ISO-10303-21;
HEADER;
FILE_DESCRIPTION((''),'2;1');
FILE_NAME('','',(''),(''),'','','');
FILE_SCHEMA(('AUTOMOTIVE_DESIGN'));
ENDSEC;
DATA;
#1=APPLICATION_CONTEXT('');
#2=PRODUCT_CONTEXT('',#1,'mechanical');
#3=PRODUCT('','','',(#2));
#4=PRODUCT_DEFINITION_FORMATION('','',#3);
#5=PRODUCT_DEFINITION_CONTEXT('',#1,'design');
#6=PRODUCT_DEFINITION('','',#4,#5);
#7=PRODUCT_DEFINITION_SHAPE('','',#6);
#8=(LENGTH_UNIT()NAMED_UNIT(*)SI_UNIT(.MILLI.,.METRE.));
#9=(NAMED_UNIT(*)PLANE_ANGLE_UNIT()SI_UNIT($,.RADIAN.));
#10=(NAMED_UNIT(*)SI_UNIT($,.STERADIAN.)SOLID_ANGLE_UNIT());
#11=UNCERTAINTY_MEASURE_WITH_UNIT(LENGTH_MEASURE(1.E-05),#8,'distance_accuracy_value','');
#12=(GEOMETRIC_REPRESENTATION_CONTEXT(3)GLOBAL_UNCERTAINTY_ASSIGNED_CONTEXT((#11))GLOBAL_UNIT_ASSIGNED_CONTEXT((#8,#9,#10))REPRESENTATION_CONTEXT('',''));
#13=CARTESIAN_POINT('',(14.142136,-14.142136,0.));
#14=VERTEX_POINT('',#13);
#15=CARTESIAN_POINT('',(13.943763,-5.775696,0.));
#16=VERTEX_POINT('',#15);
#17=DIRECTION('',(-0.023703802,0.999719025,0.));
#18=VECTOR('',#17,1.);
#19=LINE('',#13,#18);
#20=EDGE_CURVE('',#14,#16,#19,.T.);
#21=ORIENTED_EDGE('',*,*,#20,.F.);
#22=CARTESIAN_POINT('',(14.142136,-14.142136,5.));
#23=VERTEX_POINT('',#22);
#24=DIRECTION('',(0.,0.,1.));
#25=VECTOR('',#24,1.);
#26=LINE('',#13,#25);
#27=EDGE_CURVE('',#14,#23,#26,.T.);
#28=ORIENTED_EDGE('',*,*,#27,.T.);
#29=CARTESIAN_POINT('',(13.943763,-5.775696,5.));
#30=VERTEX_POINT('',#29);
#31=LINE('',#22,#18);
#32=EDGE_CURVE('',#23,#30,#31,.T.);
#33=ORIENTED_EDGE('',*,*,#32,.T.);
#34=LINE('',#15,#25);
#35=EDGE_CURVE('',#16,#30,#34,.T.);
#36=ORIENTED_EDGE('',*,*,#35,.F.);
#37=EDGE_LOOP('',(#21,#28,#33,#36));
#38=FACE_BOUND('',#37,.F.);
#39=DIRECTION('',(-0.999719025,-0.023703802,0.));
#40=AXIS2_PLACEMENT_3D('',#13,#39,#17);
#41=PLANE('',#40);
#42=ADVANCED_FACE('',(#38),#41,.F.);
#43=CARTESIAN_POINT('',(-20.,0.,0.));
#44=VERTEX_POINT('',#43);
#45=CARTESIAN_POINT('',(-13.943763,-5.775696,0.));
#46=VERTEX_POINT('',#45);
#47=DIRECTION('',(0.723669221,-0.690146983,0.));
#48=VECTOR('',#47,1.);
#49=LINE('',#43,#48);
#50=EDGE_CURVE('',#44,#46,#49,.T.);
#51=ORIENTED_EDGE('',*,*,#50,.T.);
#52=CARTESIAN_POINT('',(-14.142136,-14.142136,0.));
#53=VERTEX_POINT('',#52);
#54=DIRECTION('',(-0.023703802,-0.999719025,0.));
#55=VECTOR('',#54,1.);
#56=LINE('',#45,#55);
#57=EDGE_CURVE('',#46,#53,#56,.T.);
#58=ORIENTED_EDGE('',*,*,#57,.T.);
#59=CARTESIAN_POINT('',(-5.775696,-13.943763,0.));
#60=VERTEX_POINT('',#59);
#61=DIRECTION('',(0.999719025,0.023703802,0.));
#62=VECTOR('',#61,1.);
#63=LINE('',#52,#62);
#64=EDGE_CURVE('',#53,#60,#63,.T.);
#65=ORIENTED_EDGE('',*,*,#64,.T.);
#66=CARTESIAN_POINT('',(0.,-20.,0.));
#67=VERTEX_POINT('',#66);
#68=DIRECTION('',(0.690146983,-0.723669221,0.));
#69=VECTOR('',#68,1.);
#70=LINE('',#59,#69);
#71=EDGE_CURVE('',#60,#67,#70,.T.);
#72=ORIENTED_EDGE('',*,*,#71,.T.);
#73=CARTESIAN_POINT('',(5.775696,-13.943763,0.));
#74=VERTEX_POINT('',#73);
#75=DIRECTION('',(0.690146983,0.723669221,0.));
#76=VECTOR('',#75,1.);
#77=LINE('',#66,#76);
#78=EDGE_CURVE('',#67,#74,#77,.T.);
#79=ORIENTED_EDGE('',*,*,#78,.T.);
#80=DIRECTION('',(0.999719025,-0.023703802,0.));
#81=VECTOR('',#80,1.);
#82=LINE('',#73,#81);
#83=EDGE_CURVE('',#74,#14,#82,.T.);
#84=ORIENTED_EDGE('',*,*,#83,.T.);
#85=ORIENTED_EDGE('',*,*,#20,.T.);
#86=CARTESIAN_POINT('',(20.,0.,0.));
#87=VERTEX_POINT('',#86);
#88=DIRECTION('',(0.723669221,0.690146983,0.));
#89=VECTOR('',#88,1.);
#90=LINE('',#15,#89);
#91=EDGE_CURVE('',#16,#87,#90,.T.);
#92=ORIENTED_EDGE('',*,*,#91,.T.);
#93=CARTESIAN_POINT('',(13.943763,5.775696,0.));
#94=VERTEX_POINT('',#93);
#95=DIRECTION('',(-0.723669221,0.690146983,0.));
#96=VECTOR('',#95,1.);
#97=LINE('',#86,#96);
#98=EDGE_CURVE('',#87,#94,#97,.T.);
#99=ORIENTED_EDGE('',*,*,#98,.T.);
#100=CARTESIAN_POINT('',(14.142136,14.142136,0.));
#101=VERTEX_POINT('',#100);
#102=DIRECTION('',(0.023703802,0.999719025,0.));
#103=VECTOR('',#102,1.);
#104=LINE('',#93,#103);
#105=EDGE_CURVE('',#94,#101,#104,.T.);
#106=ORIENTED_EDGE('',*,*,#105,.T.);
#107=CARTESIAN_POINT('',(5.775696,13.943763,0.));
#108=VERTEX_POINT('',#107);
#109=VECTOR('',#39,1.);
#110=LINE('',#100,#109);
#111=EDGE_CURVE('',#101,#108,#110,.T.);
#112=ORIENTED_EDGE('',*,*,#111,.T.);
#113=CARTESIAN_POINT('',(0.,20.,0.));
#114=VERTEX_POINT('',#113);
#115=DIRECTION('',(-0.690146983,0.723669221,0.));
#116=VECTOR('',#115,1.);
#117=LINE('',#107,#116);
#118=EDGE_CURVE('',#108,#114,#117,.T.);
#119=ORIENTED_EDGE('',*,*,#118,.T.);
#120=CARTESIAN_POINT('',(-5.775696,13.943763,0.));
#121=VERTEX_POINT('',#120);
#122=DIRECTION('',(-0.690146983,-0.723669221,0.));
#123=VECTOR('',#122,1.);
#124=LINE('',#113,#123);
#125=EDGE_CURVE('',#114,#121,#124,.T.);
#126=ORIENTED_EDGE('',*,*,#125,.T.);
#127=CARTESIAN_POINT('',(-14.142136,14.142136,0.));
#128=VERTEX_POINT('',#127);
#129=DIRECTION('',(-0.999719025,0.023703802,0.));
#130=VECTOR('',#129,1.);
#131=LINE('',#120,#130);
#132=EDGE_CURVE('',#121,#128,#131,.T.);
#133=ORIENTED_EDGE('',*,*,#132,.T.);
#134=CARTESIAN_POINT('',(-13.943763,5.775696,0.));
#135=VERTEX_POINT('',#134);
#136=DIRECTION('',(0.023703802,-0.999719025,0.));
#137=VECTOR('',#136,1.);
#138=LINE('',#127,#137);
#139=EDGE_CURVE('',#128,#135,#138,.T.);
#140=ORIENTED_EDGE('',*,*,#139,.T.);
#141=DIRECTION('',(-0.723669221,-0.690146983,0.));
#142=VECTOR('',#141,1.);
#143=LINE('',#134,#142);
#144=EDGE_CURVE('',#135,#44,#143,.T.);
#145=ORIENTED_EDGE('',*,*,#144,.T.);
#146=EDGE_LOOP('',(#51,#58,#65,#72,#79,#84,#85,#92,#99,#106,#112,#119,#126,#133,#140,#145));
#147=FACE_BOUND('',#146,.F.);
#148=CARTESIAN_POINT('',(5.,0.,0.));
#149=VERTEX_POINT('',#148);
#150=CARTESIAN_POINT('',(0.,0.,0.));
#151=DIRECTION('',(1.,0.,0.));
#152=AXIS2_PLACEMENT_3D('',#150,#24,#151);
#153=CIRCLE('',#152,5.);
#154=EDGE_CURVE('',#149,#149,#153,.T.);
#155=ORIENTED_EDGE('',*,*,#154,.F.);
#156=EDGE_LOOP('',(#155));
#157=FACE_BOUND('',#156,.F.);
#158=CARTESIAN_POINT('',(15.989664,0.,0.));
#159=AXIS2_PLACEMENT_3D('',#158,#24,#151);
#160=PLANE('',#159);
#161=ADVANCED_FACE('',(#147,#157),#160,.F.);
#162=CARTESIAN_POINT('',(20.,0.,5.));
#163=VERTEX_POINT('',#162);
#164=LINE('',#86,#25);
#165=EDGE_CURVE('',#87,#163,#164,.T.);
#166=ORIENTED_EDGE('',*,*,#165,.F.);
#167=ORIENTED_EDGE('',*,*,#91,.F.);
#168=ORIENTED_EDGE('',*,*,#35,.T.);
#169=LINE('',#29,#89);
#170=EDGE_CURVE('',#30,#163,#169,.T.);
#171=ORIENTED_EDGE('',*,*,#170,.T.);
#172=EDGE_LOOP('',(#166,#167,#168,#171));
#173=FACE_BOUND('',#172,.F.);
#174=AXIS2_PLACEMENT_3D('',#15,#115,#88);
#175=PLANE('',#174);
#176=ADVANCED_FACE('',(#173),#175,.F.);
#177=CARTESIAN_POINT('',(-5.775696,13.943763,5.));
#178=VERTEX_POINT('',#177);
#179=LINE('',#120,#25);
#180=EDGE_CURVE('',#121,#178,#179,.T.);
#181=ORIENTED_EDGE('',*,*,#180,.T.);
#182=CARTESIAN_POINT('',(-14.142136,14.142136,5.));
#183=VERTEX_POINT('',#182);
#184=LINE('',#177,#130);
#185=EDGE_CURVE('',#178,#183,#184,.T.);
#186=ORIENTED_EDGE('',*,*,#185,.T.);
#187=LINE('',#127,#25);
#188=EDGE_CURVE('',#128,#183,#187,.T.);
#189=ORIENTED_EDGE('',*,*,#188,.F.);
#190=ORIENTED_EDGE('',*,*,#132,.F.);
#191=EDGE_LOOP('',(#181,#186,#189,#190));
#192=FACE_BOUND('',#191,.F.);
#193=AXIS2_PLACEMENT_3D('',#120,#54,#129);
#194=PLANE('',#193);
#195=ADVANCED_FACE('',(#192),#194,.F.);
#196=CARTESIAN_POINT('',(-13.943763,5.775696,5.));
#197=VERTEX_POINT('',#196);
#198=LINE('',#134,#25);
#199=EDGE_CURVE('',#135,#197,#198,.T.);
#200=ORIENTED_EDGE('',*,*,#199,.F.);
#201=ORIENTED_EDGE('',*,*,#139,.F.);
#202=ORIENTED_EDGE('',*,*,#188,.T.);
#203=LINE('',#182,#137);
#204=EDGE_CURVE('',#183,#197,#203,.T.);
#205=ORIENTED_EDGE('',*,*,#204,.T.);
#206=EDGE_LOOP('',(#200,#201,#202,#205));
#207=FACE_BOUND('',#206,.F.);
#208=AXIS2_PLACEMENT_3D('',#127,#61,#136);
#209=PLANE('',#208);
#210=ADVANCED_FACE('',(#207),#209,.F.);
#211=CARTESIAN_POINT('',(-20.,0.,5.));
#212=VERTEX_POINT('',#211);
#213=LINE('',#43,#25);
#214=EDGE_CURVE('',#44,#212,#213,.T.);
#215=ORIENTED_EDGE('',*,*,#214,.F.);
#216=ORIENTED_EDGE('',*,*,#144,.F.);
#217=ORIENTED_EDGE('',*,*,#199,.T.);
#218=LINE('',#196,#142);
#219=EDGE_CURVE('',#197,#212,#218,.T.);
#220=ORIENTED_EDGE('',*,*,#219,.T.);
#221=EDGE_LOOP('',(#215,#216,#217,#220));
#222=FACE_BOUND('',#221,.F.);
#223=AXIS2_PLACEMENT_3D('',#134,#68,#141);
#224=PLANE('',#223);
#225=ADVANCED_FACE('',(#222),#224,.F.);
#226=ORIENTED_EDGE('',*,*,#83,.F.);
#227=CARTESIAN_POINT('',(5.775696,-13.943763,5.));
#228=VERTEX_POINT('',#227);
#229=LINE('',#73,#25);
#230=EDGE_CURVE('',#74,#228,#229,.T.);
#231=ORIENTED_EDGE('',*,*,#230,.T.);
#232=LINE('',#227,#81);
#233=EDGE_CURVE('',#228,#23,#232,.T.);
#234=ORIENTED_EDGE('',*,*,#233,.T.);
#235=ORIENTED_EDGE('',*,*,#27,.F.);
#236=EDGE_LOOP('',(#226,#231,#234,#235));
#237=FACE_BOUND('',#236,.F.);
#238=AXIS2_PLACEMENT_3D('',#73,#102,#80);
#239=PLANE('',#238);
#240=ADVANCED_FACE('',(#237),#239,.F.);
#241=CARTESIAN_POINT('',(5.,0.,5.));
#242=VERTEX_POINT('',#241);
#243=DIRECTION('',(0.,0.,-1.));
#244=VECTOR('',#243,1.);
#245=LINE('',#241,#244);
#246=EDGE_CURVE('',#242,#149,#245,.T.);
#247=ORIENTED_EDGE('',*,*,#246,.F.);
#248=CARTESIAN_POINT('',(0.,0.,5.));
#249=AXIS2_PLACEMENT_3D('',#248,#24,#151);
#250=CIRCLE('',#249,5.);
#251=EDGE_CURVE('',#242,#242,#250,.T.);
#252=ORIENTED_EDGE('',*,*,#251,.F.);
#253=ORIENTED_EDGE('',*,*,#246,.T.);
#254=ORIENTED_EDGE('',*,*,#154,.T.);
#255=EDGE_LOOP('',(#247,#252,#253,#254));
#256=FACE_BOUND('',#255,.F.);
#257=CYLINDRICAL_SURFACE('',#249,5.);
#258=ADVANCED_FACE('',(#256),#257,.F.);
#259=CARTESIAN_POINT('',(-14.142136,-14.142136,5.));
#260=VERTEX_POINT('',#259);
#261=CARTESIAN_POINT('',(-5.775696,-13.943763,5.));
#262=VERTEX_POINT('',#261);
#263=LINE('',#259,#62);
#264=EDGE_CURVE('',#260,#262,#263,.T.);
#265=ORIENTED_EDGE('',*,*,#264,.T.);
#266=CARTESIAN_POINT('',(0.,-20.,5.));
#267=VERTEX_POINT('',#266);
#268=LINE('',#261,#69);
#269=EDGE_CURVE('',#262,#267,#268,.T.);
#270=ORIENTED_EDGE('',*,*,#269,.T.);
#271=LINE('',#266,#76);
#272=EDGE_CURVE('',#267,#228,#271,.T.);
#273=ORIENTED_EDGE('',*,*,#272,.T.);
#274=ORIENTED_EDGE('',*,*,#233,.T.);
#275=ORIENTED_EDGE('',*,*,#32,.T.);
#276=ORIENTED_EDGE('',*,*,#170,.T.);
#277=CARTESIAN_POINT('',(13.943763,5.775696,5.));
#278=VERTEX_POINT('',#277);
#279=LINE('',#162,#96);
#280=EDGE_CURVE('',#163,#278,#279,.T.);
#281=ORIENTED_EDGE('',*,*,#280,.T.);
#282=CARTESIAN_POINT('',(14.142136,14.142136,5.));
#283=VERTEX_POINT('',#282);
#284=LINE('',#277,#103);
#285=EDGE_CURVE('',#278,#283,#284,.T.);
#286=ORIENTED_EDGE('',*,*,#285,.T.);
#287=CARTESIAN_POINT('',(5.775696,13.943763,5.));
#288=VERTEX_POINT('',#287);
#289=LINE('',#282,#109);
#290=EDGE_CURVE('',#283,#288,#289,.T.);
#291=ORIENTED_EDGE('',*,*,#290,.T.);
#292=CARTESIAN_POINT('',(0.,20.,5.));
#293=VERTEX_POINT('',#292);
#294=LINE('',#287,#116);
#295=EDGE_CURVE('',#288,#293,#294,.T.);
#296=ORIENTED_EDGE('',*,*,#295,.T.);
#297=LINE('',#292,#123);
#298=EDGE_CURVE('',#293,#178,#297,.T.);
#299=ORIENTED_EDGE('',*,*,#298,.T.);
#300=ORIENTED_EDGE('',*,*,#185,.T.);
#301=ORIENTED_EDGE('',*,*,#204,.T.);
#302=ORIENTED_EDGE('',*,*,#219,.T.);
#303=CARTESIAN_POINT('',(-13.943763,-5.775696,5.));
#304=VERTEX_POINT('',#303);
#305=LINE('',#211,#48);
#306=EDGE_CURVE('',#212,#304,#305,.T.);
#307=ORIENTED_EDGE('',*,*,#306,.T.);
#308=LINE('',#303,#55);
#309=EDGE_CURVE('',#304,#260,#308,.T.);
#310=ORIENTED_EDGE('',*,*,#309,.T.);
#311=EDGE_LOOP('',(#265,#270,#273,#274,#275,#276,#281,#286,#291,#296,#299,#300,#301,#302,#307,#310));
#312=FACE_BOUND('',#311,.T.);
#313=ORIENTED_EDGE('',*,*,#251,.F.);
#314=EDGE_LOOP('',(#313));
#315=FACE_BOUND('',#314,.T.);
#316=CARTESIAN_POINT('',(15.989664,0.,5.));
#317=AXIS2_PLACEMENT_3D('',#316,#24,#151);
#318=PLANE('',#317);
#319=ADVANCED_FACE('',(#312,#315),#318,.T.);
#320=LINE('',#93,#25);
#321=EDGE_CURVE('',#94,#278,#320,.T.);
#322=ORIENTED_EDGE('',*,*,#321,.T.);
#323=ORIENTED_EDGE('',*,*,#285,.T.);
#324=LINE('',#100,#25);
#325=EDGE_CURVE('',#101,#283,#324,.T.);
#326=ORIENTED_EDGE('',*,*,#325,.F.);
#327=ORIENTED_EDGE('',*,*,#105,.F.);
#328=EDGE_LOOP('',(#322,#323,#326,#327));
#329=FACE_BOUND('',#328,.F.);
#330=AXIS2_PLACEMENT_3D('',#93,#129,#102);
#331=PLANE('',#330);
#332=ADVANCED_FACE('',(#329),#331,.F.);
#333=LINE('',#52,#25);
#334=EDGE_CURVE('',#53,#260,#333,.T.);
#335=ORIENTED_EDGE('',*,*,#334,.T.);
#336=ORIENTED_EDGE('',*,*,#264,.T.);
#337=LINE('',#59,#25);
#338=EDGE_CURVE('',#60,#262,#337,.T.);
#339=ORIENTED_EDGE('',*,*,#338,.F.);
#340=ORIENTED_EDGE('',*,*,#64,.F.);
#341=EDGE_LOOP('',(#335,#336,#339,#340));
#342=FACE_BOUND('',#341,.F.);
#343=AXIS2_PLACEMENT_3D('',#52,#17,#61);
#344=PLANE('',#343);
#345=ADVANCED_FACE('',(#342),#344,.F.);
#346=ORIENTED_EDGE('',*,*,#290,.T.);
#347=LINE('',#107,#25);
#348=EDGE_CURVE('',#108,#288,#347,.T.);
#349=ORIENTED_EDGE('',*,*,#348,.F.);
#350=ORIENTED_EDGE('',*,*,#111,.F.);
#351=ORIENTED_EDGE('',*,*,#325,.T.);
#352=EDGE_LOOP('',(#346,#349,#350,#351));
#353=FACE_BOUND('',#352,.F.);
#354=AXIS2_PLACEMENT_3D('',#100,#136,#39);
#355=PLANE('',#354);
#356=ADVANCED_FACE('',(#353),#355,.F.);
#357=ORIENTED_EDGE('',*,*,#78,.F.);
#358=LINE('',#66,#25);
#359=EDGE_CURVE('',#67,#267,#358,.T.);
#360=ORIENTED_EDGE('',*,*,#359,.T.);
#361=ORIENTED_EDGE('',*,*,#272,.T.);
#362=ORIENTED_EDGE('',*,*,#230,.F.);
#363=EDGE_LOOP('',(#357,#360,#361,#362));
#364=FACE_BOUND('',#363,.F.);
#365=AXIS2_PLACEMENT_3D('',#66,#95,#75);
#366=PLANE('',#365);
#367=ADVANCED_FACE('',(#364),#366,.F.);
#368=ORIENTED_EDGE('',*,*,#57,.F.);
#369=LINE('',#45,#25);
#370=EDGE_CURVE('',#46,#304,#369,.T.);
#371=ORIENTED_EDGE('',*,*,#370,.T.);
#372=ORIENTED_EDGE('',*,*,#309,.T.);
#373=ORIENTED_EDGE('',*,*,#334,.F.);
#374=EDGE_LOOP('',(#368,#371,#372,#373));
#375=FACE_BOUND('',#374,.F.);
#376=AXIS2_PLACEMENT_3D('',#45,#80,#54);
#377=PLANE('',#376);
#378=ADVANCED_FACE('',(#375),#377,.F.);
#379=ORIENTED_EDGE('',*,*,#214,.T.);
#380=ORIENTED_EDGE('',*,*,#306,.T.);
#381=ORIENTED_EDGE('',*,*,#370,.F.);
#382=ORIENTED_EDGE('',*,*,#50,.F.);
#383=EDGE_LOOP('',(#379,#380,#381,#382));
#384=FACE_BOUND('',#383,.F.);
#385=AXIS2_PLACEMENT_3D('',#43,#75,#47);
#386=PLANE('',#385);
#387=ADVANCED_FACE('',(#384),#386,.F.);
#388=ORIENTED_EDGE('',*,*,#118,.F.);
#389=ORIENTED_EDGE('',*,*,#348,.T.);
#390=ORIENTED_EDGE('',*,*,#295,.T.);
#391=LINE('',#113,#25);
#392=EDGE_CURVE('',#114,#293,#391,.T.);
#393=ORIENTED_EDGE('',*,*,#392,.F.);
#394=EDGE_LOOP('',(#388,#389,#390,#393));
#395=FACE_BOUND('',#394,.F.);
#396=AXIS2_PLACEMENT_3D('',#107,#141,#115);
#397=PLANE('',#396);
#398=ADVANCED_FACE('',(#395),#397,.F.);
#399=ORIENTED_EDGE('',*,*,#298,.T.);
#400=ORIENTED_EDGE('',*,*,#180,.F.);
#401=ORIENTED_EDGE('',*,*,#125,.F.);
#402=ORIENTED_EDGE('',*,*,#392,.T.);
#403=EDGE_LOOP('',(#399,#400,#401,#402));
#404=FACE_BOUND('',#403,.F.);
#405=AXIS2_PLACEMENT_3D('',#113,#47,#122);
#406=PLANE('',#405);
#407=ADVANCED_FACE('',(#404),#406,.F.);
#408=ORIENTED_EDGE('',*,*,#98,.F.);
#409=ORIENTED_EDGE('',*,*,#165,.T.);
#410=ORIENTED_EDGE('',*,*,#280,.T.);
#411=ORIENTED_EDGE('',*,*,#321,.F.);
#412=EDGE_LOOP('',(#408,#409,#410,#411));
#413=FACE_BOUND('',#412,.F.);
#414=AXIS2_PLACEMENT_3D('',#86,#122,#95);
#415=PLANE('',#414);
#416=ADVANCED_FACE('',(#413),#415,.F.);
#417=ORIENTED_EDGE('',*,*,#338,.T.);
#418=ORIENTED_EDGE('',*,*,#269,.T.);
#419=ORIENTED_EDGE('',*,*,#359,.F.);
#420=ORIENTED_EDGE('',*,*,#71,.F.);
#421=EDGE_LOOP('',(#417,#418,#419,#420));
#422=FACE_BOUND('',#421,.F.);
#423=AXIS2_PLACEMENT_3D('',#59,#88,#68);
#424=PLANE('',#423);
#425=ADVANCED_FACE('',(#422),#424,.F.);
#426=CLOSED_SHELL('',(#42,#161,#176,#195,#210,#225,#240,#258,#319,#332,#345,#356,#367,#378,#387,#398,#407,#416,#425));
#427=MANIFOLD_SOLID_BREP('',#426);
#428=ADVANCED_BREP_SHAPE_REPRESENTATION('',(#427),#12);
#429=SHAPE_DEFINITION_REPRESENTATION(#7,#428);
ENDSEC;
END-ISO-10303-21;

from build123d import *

# Parameters (mm, degrees)
F1_DEPTH = 5
F2_R     = 5
F3_DEPTH = 25


with BuildPart() as f1:
    # F0 (on Top) → F1 (new body)
    with BuildSketch(Plane.XY):
        with BuildLine():
            ThreePointArc((13.93824703, 5.5430379513), (14.7321706726, 2.8219049018), (15, 0))
            ThreePointArc((15, 0), (14.7321706726, -2.8219049018), (13.93824703, -5.5430379513))
            Line((13.93824703, -5.5430379513), (13.9437634587, -5.7756959351))
            Line((13.9437634587, -5.7756959351), (20, 0))
            Line((20, 0), (13.9437634587, 5.7756959351))
            Line((13.9437634587, 5.7756959351), (13.93824703, 5.5430379513))
        make_face()
        with BuildLine():
            ThreePointArc((13.7753487165, 5.9363092691), (13.8581929877, 5.7402514855), (13.93824703, 5.5430379513))
            Line((13.93824703, 5.5430379513), (13.9437634587, 5.7756959351))
            Line((13.9437634587, 5.7756959351), (13.7753487165, 5.9363092691))
        make_face()
        with BuildLine():
            Line((13.9437634587, -5.7756959351), (13.93824703, -5.5430379513))
            ThreePointArc((13.93824703, -5.5430379513), (13.8581929877, -5.7402514855), (13.7753487165, -5.9363092691))
            Line((13.7753487165, -5.9363092691), (13.9437634587, -5.7756959351))
        make_face()
        with BuildLine():
            ThreePointArc((5.9363092691, 13.7753487165), (10.6066017178, 10.6066017178), (13.7753487165, 5.9363092691))
            Line((13.7753487165, 5.9363092691), (13.9437634587, 5.7756959351))
            Line((13.9437634587, 5.7756959351), (14.1421356237, 14.1421356237))
            Line((14.1421356237, 14.1421356237), (5.7756959351, 13.9437634587))
            Line((5.7756959351, 13.9437634587), (5.9363092691, 13.7753487165))
        make_face()
        with BuildLine():
            Line((13.9437634587, -5.7756959351), (13.7753487165, -5.9363092691))
            ThreePointArc((13.7753487165, -5.9363092691), (10.6066017178, -10.6066017178), (5.9363092691, -13.7753487165))
            Line((5.9363092691, -13.7753487165), (5.7756959351, -13.9437634587))
            Line((5.7756959351, -13.9437634587), (14.1421356237, -14.1421356237))
            Line((14.1421356237, -14.1421356237), (13.9437634587, -5.7756959351))
        make_face()
        with BuildLine():
            ThreePointArc((5.5430379513, 13.93824703), (5.7402514855, 13.8581929877), (5.9363092691, 13.7753487165))
            Line((5.9363092691, 13.7753487165), (5.7756959351, 13.9437634587))
            Line((5.7756959351, 13.9437634587), (5.5430379513, 13.93824703))
        make_face()
        with BuildLine():
            Line((5.7756959351, -13.9437634587), (5.9363092691, -13.7753487165))
            ThreePointArc((5.9363092691, -13.7753487165), (5.7402514855, -13.8581929877), (5.5430379513, -13.93824703))
            Line((5.5430379513, -13.93824703), (5.7756959351, -13.9437634587))
        make_face()
        with BuildLine():
            ThreePointArc((0, 15), (2.8219049018, 14.7321706726), (5.5430379513, 13.93824703))
            Line((5.5430379513, 13.93824703), (5.7756959351, 13.9437634587))
            Line((5.7756959351, 13.9437634587), (0, 20))
            Line((0, 20), (0, 15))
        make_face()
        with BuildLine():
            Line((5.7756959351, -13.9437634587), (5.5430379513, -13.93824703))
            ThreePointArc((5.5430379513, -13.93824703), (0, -15), (-5.5430379513, -13.93824703))
            Line((-5.5430379513, -13.93824703), (-5.7756959351, -13.9437634587))
            Line((-5.7756959351, -13.9437634587), (0, -20))
            Line((0, -20), (5.7756959351, -13.9437634587))
        make_face()
        with BuildLine():
            ThreePointArc((-5.5430379513, 13.93824703), (-2.8219049018, 14.7321706726), (0, 15))
            Line((0, 15), (0, 20))
            Line((0, 20), (-5.7756959351, 13.9437634587))
            Line((-5.7756959351, 13.9437634587), (-5.5430379513, 13.93824703))
        make_face()
        with BuildLine():
            Line((-5.7756959351, -13.9437634587), (-5.5430379513, -13.93824703))
            ThreePointArc((-5.5430379513, -13.93824703), (-5.7402514855, -13.8581929877), (-5.9363092691, -13.7753487165))
            Line((-5.9363092691, -13.7753487165), (-5.7756959351, -13.9437634587))
        make_face()
        with BuildLine():
            ThreePointArc((-5.9363092691, 13.7753487165), (-5.7402514855, 13.8581929877), (-5.5430379513, 13.93824703))
            Line((-5.5430379513, 13.93824703), (-5.7756959351, 13.9437634587))
            Line((-5.7756959351, 13.9437634587), (-5.9363092691, 13.7753487165))
        make_face()
        with BuildLine():
            Line((-5.9363092691, 13.7753487165), (-5.7756959351, 13.9437634587))
            Line((-5.7756959351, 13.9437634587), (-14.1421356237, 14.1421356237))
            Line((-14.1421356237, 14.1421356237), (-13.9437634587, 5.7756959351))
            Line((-13.9437634587, 5.7756959351), (-13.7753487165, 5.9363092691))
            ThreePointArc((-13.7753487165, 5.9363092691), (-10.6066017178, 10.6066017178), (-5.9363092691, 13.7753487165))
        make_face()
        with BuildLine():
            Line((-5.7756959351, -13.9437634587), (-5.9363092691, -13.7753487165))
            ThreePointArc((-5.9363092691, -13.7753487165), (-10.6066017178, -10.6066017178), (-13.7753487165, -5.9363092691))
            Line((-13.7753487165, -5.9363092691), (-13.9437634587, -5.7756959351))
            Line((-13.9437634587, -5.7756959351), (-14.1421356237, -14.1421356237))
            Line((-14.1421356237, -14.1421356237), (-5.7756959351, -13.9437634587))
        make_face()
        with BuildLine():
            Line((-13.9437634587, -5.7756959351), (-13.7753487165, -5.9363092691))
            ThreePointArc((-13.7753487165, -5.9363092691), (-13.8581929877, -5.7402514855), (-13.93824703, -5.5430379513))
            Line((-13.93824703, -5.5430379513), (-13.9437634587, -5.7756959351))
        make_face()
        with BuildLine():
            ThreePointArc((-13.93824703, 5.5430379513), (-13.8581929877, 5.7402514855), (-13.7753487165, 5.9363092691))
            Line((-13.7753487165, 5.9363092691), (-13.9437634587, 5.7756959351))
            Line((-13.9437634587, 5.7756959351), (-13.93824703, 5.5430379513))
        make_face()
        with BuildLine():
            Line((-13.93824703, 5.5430379513), (-13.9437634587, 5.7756959351))
            Line((-13.9437634587, 5.7756959351), (-20, 0))
            Line((-20, 0), (-13.9437634587, -5.7756959351))
            Line((-13.9437634587, -5.7756959351), (-13.93824703, -5.5430379513))
            ThreePointArc((-13.93824703, -5.5430379513), (-15, 0), (-13.93824703, 5.5430379513))
        make_face()
        with BuildLine():
            ThreePointArc((13.93824703, -5.5430379513), (14.7321706726, -2.8219049018), (15, 0))
            ThreePointArc((15, 0), (14.7321706726, 2.8219049018), (13.93824703, 5.5430379513))
            ThreePointArc((13.93824703, 5.5430379513), (13.8581929877, 5.7402514855), (13.7753487165, 5.9363092691))
            ThreePointArc((13.7753487165, 5.9363092691), (10.6066017178, 10.6066017178), (5.9363092691, 13.7753487165))
            ThreePointArc((5.9363092691, 13.7753487165), (5.7402514855, 13.8581929877), (5.5430379513, 13.93824703))
            ThreePointArc((5.5430379513, 13.93824703), (2.8219049018, 14.7321706726), (0, 15))
            ThreePointArc((0, 15), (-2.8219049018, 14.7321706726), (-5.5430379513, 13.93824703))
            ThreePointArc((-5.5430379513, 13.93824703), (-5.7402514855, 13.8581929877), (-5.9363092691, 13.7753487165))
            ThreePointArc((-5.9363092691, 13.7753487165), (-10.6066017178, 10.6066017178), (-13.7753487165, 5.9363092691))
            ThreePointArc((-13.7753487165, 5.9363092691), (-13.8581929877, 5.7402514855), (-13.93824703, 5.5430379513))
            ThreePointArc((-13.93824703, 5.5430379513), (-15, 0), (-13.93824703, -5.5430379513))
            ThreePointArc((-13.93824703, -5.5430379513), (-13.8581929877, -5.7402514855), (-13.7753487165, -5.9363092691))
            ThreePointArc((-13.7753487165, -5.9363092691), (-10.6066017178, -10.6066017178), (-5.9363092691, -13.7753487165))
            ThreePointArc((-5.9363092691, -13.7753487165), (-5.7402514855, -13.8581929877), (-5.5430379513, -13.93824703))
            ThreePointArc((-5.5430379513, -13.93824703), (0, -15), (5.5430379513, -13.93824703))
            ThreePointArc((5.5430379513, -13.93824703), (5.7402514855, -13.8581929877), (5.9363092691, -13.7753487165))
            ThreePointArc((5.9363092691, -13.7753487165), (10.6066017178, -10.6066017178), (13.7753487165, -5.9363092691))
            ThreePointArc((13.7753487165, -5.9363092691), (13.8581929877, -5.7402514855), (13.93824703, -5.5430379513))
        make_face()
    extrude(amount=F1_DEPTH)

    # F2 (on face) → F3 (cut)
    with BuildSketch(Plane.XY.offset(5)):
        Circle(F2_R)
    extrude(amount=-F3_DEPTH, mode=Mode.SUBTRACT)


solid = f1.part
